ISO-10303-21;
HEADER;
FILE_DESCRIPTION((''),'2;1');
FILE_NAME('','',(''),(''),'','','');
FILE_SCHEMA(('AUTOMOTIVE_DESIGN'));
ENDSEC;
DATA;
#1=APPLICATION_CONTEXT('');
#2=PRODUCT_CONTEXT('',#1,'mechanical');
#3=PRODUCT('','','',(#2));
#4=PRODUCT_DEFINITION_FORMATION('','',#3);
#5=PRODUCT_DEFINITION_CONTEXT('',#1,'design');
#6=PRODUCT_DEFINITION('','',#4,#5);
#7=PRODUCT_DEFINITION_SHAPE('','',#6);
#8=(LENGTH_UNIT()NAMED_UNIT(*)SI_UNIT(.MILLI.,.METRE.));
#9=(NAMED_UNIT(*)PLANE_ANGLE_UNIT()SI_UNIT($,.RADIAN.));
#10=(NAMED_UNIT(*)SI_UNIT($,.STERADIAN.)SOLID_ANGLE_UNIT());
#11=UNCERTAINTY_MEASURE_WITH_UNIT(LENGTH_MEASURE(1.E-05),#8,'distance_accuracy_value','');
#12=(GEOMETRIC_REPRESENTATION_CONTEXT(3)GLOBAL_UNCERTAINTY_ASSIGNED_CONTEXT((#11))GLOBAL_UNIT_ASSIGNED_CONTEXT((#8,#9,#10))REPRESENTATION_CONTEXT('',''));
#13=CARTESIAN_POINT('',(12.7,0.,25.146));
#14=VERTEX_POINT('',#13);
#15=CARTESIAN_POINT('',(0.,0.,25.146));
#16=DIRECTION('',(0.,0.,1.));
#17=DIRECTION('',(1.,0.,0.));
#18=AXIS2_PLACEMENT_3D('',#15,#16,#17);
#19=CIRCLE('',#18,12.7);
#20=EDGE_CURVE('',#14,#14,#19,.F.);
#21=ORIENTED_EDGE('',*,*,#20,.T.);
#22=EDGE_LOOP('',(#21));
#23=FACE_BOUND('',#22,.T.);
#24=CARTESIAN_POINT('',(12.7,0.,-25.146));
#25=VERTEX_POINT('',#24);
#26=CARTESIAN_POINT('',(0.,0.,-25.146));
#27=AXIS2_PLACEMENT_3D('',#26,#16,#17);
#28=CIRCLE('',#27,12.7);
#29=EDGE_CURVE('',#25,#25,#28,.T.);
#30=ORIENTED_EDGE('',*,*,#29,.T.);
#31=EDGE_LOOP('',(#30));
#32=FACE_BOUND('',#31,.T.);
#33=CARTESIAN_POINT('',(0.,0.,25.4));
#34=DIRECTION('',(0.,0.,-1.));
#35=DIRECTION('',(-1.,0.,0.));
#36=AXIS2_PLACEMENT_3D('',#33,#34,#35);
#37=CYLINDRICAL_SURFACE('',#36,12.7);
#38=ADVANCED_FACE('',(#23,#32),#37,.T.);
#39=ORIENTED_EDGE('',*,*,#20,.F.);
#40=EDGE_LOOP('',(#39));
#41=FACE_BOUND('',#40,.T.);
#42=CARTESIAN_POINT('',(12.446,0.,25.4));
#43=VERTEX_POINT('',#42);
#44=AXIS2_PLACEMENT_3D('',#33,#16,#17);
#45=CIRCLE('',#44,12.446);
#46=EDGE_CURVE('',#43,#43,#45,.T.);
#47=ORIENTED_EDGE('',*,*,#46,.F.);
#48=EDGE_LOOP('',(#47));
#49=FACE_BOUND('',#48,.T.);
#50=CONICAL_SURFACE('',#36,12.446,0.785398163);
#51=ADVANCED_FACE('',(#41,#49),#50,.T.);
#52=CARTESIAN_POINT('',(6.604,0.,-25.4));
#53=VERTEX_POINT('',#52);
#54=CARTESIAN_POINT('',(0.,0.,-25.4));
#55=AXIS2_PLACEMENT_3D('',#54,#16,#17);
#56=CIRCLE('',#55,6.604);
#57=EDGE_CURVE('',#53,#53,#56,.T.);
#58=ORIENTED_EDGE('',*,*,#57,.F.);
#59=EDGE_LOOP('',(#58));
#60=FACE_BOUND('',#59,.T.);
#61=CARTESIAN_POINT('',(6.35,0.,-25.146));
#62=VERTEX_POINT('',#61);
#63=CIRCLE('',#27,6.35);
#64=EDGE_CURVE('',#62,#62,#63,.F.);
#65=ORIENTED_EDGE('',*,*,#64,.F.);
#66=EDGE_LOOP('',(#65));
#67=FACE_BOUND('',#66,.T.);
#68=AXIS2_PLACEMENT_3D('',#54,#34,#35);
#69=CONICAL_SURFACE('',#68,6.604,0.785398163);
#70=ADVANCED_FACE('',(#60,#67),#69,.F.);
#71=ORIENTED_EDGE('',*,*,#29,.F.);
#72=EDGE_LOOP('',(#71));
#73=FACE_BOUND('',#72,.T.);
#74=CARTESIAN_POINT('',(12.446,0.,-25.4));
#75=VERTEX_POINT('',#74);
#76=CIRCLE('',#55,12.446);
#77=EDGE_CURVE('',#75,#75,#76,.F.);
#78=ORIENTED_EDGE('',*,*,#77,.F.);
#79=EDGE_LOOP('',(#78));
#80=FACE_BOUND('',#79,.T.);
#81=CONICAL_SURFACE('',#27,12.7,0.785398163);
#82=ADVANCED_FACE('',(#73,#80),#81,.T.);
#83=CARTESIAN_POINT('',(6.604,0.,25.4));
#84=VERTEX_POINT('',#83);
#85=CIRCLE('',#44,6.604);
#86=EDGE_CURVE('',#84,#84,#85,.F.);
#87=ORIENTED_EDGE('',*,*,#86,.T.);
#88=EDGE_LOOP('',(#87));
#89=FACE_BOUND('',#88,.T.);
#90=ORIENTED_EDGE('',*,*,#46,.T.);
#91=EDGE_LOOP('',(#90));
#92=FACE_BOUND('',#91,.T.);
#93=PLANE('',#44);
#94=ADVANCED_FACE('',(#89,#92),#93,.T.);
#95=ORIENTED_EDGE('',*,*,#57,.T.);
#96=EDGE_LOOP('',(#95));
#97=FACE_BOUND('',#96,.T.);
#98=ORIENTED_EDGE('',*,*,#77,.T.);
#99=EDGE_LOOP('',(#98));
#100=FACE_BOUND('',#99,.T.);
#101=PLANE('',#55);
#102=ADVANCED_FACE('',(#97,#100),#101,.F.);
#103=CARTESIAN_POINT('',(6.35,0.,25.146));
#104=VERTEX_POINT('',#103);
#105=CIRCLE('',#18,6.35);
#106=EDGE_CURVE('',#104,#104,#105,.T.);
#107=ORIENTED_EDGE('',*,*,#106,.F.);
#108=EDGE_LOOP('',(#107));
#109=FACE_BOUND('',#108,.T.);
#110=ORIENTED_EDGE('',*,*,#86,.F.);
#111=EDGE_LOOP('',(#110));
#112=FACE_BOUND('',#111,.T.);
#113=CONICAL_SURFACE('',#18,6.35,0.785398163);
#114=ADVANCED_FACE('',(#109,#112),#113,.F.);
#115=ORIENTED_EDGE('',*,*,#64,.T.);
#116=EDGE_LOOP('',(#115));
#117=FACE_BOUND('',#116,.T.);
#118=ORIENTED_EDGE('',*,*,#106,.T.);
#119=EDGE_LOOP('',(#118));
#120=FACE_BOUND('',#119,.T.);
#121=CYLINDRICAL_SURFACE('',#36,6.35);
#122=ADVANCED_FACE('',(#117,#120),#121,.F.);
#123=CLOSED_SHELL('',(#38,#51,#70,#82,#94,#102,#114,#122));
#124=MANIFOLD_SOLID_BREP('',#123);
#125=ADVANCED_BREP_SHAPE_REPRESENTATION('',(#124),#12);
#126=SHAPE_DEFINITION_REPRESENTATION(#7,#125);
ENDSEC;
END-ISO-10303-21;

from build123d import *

# Parameters (mm, degrees)
SKETCH2_R           = 12.7
SKETCH2_R_2         = 6.35
BOSS_EXTRUDE1_DEPTH = 25.4
CHAMFER1_SIZE       = 0.254


with BuildPart() as part:
    # Sketch2 → Boss-Extrude1 (new, symmetric)
    with BuildSketch(Plane.XY):
        Circle(SKETCH2_R)
        Circle(SKETCH2_R_2, mode=Mode.SUBTRACT)
    extrude(amount=BOSS_EXTRUDE1_DEPTH, both=True)

    # Chamfer1
    chamfer1_edges = [part.edges().sort_by_distance(p)[0] for p in [
        (-12.7, 0, -25.4),
        (-12.7, 0, 25.4),
        (-6.35, 0, -25.4),
        (-6.35, 0, 25.4),
    ]]
    chamfer(chamfer1_edges, length=CHAMFER1_SIZE)


solid = part.part
